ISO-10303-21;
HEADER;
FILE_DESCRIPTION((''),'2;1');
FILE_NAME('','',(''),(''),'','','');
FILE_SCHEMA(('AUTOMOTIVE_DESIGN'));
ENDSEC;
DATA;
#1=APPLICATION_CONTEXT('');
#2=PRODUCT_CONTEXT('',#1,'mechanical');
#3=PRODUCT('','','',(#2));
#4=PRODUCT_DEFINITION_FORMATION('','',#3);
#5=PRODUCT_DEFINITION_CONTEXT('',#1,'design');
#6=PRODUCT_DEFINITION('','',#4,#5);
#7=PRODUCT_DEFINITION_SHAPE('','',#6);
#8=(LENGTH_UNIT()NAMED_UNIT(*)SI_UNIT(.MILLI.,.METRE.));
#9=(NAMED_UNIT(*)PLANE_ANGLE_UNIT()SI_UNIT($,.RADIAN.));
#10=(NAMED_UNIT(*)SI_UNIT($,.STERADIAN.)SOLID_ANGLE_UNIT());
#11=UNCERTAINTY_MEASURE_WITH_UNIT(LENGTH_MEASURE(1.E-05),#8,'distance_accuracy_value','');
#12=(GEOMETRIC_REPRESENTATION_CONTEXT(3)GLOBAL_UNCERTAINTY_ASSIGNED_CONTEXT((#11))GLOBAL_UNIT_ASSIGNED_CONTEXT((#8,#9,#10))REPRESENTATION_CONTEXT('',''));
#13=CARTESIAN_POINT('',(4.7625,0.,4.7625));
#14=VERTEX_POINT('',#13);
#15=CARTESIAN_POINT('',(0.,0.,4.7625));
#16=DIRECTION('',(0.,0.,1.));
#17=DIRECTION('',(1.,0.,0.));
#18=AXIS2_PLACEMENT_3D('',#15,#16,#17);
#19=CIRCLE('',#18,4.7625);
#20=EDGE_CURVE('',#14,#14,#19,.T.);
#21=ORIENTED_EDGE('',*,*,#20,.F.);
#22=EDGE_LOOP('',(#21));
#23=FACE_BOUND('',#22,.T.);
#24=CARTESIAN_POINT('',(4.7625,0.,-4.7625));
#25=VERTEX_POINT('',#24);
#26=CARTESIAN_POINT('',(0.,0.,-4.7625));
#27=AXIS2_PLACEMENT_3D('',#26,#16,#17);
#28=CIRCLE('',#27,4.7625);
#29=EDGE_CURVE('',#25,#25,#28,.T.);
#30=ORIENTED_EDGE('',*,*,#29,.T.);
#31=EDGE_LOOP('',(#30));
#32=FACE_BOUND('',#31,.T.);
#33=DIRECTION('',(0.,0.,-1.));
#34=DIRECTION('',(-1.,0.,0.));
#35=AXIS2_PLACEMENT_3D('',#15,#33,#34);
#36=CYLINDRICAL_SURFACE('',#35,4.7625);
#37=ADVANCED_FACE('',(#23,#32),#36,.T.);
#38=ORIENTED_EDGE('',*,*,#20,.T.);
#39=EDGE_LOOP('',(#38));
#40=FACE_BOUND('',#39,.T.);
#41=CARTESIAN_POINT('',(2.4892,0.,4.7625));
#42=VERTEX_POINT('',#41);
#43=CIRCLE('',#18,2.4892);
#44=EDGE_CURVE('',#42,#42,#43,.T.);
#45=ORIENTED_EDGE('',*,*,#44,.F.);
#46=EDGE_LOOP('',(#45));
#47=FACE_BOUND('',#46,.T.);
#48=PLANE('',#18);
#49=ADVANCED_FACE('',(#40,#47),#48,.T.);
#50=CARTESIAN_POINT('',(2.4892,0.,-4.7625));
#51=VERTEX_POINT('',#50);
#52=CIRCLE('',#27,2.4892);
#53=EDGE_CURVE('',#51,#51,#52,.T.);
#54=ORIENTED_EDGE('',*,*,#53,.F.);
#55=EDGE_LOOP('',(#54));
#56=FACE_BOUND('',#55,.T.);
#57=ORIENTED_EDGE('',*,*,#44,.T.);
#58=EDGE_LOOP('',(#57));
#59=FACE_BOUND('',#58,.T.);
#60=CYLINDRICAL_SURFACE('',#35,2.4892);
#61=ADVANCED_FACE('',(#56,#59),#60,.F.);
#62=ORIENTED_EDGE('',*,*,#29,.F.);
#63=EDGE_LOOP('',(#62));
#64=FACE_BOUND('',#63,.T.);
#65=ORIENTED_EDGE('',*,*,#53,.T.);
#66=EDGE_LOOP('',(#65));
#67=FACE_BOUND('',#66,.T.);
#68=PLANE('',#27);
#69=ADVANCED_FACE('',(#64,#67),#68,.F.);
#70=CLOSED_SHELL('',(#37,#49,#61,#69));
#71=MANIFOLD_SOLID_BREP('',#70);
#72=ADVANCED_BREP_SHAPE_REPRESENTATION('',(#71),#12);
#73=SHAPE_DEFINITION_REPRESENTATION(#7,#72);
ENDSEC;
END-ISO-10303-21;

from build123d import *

# Parameters (mm, degrees)
SKETCH1_R           = 4.7625
SKETCH1_R_2         = 2.4892
BOSS_EXTRUDE1_DEPTH = 4.7625


with BuildPart() as part:
    # Sketch1 → Boss-Extrude1 (new body, symmetric)
    with BuildSketch(Plane.XY):
        Circle(SKETCH1_R)
        Circle(SKETCH1_R_2, mode=Mode.SUBTRACT)
    extrude(amount=BOSS_EXTRUDE1_DEPTH, both=True)


solid = part.part
